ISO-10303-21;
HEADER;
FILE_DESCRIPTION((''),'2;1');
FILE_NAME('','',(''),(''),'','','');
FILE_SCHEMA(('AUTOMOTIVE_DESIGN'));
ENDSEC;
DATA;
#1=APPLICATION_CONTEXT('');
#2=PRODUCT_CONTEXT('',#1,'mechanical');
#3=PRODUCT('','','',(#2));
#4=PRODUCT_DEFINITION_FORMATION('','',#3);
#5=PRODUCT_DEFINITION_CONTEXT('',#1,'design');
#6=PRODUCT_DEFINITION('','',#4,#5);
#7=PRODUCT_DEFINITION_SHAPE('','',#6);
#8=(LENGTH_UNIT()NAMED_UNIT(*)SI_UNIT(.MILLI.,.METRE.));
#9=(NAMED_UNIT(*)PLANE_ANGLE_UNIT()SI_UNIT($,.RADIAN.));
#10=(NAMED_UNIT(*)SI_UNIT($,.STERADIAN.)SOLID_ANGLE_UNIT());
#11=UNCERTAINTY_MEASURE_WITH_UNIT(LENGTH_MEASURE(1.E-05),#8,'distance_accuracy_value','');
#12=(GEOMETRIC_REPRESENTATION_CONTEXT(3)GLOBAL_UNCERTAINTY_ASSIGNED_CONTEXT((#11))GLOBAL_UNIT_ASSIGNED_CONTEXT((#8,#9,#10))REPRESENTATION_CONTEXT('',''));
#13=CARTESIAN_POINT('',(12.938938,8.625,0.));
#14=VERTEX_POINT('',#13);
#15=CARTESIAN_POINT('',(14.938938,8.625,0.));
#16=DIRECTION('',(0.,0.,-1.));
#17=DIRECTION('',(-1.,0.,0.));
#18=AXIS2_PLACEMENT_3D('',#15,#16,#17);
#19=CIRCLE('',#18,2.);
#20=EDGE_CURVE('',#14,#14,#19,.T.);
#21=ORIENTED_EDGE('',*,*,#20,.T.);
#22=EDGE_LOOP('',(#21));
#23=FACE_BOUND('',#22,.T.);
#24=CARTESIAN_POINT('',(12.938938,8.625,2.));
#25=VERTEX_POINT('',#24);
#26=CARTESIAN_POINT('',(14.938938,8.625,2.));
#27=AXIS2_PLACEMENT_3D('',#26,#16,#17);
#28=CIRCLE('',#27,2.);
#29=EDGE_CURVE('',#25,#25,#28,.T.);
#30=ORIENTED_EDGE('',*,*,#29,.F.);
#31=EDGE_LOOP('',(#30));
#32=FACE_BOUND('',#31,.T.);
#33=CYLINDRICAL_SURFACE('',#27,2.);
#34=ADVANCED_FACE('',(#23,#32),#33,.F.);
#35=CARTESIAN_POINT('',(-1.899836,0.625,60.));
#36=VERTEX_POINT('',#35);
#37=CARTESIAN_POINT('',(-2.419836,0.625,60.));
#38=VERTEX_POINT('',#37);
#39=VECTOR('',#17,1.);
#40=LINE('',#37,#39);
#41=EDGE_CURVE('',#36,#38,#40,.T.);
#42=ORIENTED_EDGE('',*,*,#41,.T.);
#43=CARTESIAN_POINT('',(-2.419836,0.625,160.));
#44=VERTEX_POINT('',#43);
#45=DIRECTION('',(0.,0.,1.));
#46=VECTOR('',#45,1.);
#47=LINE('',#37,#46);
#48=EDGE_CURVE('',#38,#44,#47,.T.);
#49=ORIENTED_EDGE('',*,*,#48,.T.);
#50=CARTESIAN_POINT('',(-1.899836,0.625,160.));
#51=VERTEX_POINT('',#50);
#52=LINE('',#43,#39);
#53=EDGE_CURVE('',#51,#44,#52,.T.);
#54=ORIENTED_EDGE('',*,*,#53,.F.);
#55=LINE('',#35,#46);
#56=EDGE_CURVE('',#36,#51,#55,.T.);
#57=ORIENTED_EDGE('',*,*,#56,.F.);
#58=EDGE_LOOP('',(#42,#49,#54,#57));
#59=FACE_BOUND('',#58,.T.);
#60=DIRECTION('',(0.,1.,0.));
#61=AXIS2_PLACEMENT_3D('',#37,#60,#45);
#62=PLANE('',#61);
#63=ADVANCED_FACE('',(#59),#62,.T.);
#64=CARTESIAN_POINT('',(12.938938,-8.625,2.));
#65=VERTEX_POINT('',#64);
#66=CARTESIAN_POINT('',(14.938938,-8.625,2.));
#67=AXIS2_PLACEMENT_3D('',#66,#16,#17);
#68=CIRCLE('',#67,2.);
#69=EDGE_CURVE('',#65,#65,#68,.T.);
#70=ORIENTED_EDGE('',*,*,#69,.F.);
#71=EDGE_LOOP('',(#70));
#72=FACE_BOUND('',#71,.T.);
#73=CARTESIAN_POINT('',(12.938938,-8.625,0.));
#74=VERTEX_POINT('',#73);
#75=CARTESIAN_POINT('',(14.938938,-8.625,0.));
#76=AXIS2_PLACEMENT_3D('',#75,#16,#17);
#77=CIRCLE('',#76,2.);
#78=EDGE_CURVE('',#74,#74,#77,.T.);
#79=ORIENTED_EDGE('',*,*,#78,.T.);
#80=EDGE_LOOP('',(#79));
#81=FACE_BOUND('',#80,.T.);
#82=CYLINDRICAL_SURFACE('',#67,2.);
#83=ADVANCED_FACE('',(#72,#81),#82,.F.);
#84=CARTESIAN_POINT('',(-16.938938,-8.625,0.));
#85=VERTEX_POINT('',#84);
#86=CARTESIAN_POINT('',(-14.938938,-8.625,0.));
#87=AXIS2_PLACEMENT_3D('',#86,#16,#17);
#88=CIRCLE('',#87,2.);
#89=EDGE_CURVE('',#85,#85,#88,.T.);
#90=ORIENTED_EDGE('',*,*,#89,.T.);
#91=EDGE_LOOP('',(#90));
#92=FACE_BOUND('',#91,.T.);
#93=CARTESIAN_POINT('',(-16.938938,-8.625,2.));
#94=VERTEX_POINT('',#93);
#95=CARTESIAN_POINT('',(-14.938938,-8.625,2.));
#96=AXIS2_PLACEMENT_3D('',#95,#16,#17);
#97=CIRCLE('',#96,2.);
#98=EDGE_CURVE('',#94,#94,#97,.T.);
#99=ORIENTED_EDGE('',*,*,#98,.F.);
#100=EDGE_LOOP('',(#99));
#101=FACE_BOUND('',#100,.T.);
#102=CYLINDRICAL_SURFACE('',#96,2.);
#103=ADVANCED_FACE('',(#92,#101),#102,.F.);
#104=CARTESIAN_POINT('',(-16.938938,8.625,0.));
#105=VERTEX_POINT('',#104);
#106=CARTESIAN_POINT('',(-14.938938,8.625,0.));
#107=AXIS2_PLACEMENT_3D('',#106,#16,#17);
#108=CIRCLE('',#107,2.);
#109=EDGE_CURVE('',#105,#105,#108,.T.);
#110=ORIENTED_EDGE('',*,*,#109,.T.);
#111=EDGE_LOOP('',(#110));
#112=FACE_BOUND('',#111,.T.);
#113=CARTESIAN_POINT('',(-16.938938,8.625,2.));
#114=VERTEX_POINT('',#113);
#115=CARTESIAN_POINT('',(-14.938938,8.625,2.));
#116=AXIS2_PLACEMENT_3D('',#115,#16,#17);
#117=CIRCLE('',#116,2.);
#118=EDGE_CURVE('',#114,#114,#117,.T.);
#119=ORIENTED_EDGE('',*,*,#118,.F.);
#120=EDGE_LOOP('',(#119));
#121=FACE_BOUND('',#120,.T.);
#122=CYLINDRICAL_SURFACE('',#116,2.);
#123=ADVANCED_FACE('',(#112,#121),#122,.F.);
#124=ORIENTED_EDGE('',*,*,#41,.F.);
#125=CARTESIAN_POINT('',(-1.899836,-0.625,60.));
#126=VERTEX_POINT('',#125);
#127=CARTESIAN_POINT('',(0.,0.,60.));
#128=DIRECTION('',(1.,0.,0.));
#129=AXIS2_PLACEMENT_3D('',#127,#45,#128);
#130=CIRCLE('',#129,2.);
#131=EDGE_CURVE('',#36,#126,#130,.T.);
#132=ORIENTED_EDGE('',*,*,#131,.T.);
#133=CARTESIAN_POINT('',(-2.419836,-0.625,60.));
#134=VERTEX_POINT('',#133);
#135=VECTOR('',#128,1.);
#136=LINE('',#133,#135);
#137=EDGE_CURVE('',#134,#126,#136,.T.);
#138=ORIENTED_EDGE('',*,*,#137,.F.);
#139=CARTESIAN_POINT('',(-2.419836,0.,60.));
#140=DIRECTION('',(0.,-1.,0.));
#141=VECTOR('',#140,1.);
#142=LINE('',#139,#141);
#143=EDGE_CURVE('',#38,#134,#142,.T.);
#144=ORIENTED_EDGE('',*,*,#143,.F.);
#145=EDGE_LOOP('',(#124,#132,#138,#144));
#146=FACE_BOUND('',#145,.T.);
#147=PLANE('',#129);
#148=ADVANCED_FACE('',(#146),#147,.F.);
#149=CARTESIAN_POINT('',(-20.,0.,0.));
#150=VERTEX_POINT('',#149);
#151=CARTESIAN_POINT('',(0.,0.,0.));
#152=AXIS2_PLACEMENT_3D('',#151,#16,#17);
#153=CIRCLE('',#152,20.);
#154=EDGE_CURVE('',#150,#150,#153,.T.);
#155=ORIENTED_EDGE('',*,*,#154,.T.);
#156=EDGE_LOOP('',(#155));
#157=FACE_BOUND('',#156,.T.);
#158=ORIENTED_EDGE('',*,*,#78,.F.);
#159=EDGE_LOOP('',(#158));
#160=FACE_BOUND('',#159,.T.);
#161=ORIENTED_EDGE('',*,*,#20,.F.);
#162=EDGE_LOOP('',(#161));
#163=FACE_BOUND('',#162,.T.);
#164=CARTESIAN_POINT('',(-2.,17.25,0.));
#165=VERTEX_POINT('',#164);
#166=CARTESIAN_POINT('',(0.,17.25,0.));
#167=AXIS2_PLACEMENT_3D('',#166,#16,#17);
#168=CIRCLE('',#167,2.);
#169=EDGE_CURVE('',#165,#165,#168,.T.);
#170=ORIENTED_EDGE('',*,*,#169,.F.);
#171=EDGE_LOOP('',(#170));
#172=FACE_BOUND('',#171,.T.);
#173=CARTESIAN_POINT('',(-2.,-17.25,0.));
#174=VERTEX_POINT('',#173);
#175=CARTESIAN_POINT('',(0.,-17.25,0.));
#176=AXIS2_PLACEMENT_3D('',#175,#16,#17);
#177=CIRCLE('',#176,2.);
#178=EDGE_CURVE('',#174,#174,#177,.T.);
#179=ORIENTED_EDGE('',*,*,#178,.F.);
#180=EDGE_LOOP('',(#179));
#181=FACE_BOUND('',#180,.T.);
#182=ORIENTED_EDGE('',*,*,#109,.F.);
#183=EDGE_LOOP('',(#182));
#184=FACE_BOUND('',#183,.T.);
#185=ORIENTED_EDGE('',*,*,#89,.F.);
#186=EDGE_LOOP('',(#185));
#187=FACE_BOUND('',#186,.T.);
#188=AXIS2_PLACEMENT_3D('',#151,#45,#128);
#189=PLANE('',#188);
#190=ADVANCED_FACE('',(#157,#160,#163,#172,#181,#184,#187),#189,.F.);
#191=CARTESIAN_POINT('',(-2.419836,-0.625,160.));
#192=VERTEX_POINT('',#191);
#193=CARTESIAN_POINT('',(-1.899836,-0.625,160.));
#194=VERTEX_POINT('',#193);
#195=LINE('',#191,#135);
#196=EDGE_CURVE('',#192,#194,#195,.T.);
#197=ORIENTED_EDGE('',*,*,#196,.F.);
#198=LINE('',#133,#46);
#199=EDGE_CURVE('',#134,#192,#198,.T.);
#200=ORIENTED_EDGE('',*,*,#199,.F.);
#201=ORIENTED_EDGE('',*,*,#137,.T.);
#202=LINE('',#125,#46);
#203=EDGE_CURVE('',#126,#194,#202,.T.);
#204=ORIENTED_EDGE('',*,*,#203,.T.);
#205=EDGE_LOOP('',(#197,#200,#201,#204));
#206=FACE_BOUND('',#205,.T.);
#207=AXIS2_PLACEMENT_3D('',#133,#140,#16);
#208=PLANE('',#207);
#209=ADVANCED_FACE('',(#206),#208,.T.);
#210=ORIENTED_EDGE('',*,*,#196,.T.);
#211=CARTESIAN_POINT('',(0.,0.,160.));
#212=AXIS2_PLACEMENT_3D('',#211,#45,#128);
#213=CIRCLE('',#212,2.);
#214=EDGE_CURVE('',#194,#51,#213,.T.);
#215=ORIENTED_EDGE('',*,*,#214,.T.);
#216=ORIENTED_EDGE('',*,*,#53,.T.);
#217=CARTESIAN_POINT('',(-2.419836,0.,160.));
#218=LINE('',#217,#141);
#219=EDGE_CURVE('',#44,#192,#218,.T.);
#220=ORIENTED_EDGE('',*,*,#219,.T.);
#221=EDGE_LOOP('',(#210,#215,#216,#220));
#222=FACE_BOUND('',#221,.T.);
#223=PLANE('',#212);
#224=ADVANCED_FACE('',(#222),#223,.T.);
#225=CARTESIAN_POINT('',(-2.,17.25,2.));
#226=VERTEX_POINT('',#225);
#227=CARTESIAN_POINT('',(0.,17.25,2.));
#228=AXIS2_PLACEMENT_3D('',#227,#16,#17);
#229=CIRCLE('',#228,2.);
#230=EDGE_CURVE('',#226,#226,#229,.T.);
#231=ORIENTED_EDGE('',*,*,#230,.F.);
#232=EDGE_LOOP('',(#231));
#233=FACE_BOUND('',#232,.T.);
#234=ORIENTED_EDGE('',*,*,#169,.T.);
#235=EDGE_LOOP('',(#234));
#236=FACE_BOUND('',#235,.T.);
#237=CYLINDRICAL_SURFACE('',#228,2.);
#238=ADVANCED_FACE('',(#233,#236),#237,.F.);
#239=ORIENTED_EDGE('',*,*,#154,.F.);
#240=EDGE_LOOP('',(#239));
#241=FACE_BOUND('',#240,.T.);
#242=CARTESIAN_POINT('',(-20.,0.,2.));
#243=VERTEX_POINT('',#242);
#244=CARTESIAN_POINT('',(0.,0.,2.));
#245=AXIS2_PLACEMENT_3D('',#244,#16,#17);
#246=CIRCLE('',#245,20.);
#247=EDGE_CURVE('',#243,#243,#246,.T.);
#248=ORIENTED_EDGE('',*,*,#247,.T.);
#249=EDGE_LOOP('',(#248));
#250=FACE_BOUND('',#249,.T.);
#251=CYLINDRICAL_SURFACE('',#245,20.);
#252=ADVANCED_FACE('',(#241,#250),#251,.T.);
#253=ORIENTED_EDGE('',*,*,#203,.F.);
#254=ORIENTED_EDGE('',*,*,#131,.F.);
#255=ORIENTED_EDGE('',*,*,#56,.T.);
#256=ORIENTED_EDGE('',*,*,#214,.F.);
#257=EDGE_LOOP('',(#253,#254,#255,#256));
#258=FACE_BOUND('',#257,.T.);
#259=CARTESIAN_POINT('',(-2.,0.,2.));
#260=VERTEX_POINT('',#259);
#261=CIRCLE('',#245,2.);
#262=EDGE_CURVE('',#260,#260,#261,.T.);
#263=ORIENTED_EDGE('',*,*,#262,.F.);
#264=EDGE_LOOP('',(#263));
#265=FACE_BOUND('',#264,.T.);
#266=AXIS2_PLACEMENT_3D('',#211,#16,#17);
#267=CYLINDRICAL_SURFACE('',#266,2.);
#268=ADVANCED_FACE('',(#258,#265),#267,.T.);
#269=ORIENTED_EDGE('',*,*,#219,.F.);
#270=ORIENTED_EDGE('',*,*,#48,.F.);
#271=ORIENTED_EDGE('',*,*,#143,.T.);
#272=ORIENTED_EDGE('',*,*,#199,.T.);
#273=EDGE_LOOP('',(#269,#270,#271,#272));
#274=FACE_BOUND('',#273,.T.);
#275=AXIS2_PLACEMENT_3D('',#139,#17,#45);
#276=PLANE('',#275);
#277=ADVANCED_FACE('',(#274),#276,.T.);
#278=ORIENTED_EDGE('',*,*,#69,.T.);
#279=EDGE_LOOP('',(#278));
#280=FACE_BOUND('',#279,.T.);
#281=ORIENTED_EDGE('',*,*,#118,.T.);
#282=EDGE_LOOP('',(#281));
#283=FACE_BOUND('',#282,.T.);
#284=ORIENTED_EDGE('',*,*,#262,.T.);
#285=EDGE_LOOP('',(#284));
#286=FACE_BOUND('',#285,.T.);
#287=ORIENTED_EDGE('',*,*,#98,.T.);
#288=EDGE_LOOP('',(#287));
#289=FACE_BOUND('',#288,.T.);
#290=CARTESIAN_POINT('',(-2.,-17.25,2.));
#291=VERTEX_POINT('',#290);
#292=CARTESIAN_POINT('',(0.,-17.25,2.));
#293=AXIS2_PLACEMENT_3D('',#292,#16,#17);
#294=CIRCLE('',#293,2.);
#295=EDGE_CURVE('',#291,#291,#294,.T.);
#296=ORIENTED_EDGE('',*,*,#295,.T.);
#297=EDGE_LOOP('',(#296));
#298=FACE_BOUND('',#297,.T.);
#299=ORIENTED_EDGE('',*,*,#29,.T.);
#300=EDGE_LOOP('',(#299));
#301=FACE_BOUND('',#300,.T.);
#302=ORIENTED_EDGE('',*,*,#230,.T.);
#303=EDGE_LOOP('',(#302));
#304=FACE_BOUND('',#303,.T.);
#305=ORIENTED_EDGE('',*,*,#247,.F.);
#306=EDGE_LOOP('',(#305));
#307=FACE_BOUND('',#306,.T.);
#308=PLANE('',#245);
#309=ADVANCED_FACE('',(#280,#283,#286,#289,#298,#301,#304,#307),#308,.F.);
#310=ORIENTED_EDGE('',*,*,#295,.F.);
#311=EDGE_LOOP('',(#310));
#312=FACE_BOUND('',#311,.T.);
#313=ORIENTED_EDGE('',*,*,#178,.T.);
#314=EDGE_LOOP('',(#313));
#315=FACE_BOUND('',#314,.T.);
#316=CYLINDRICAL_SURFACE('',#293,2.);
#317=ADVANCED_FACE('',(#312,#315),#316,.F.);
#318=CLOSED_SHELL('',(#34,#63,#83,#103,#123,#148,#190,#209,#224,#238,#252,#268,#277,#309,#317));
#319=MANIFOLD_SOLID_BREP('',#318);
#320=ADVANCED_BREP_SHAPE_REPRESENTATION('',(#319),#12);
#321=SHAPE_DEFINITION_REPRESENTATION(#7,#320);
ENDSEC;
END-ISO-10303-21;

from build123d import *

# Parameters (mm, degrees)
SKETCH_1_R          = 2
EXTRUDE_1_DEPTH     = 160
SKETCH_3_R          = 20
EXTRUDE_2_DEPTH     = 2
SKETCH_4_R          = 2
CUT_EXTRUDE_1_DEPTH = 2
EXTRUDE_3_DEPTH     = 100


with BuildPart() as part:
    # 草图1 → 凸台-拉伸1 (new body)
    with BuildSketch(Plane.XY):
        Circle(SKETCH_1_R)
    extrude(amount=EXTRUDE_1_DEPTH)

    # 草图3 → 凸台-拉伸2 (add)
    with BuildSketch(Plane(origin=(0, 0, 0), x_dir=(-1, 0, 0), z_dir=(0, 0, -1))):
        Circle(SKETCH_3_R)
    extrude(amount=-EXTRUDE_2_DEPTH)

    # 草图4 → 切除-拉伸1 (cut)
    with BuildSketch(Plane(origin=(0, 0, 0), x_dir=(-1, 0, 0), z_dir=(0, 0, -1))):
        with Locations((0, 17.25)):
            Circle(SKETCH_4_R)
        with Locations((14.938938215, 8.625)):
            Circle(SKETCH_4_R)
        with Locations((14.938938215, -8.625)):
            Circle(SKETCH_4_R)
        with Locations((0, -17.25)):
            Circle(SKETCH_4_R)
        with Locations((-14.938938215, -8.625)):
            Circle(SKETCH_4_R)
        with Locations((-14.938938215, 8.625)):
            Circle(SKETCH_4_R)
    extrude(amount=-CUT_EXTRUDE_1_DEPTH, mode=Mode.SUBTRACT)

    # 草图5 → 凸台-拉伸3 (add)
    with BuildSketch(Plane.XY.offset(160)):
        Polygon((-2.419835519, 0), (-2.419835519, 0.625), (-1.899835519, 0.625), (-1.899835519, -0.625), (-2.419835519, -0.625), align=None)
    extrude(amount=-EXTRUDE_3_DEPTH)


solid = part.part
